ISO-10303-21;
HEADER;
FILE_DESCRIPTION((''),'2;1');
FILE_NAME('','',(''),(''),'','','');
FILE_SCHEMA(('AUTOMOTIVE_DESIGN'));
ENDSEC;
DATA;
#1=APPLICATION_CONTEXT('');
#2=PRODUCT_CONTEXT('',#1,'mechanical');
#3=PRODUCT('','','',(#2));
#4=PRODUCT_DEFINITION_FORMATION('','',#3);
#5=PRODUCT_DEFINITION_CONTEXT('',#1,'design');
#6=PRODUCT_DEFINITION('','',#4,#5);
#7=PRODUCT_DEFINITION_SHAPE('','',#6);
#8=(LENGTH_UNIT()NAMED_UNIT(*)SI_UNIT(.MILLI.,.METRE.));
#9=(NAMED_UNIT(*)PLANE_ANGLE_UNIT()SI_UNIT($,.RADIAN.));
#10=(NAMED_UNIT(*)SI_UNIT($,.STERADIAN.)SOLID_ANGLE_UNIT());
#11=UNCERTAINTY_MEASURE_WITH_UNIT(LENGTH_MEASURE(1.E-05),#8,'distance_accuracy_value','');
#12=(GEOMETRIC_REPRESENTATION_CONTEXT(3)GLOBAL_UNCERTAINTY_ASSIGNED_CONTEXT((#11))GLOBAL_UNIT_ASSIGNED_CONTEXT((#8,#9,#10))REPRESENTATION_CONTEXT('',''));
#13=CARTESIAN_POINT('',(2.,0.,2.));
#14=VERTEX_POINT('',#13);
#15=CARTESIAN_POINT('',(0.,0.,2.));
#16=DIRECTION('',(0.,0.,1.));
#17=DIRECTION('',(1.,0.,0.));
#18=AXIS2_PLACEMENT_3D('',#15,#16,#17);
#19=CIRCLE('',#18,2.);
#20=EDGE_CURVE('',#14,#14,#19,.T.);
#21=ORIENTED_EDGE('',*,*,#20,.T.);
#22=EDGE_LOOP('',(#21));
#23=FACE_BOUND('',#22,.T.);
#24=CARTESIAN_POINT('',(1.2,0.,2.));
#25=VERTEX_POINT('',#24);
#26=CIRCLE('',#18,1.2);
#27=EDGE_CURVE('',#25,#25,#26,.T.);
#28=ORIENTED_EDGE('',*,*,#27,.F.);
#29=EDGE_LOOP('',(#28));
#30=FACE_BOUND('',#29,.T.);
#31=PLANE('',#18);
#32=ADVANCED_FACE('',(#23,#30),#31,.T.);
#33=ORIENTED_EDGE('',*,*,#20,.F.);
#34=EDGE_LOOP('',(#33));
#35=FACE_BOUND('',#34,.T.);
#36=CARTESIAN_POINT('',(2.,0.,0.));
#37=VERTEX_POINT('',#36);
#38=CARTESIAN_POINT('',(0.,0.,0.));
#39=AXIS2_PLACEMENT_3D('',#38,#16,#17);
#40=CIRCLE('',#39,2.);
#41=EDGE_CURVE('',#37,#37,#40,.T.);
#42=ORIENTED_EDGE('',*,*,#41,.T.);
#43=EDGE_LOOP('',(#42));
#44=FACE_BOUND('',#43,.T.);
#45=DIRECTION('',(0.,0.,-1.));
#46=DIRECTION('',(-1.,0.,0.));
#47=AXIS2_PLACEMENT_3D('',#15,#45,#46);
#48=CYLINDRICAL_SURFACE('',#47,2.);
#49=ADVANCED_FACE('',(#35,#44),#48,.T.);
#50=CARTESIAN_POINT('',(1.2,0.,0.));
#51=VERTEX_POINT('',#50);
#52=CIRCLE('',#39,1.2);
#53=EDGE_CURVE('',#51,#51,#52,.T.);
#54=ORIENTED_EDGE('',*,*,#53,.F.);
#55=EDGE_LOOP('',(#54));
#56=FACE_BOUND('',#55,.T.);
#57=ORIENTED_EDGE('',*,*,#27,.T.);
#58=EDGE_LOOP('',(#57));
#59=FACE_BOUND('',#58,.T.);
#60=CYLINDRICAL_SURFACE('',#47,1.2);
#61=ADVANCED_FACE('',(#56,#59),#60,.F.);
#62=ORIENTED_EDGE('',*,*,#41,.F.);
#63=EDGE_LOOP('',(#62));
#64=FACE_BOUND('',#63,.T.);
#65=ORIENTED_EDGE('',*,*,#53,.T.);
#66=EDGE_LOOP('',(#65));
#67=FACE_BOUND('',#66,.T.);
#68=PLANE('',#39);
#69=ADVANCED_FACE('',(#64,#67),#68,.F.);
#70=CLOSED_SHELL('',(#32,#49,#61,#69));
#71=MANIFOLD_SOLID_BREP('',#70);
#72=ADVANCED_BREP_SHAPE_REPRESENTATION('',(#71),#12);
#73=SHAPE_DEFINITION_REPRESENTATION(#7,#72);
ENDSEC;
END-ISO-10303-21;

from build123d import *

# Parameters (mm, degrees)
ESQUISSE1_R        = 2
ESQUISSE1_R_2      = 1.2
BOSS_EXTRU_1_DEPTH = 2


with BuildPart() as part:
    # Esquisse1 → Boss.-Extru.1 (new body)
    with BuildSketch(Plane.XY):
        Circle(ESQUISSE1_R)
        Circle(ESQUISSE1_R_2, mode=Mode.SUBTRACT)
    extrude(amount=BOSS_EXTRU_1_DEPTH)


solid = part.part
